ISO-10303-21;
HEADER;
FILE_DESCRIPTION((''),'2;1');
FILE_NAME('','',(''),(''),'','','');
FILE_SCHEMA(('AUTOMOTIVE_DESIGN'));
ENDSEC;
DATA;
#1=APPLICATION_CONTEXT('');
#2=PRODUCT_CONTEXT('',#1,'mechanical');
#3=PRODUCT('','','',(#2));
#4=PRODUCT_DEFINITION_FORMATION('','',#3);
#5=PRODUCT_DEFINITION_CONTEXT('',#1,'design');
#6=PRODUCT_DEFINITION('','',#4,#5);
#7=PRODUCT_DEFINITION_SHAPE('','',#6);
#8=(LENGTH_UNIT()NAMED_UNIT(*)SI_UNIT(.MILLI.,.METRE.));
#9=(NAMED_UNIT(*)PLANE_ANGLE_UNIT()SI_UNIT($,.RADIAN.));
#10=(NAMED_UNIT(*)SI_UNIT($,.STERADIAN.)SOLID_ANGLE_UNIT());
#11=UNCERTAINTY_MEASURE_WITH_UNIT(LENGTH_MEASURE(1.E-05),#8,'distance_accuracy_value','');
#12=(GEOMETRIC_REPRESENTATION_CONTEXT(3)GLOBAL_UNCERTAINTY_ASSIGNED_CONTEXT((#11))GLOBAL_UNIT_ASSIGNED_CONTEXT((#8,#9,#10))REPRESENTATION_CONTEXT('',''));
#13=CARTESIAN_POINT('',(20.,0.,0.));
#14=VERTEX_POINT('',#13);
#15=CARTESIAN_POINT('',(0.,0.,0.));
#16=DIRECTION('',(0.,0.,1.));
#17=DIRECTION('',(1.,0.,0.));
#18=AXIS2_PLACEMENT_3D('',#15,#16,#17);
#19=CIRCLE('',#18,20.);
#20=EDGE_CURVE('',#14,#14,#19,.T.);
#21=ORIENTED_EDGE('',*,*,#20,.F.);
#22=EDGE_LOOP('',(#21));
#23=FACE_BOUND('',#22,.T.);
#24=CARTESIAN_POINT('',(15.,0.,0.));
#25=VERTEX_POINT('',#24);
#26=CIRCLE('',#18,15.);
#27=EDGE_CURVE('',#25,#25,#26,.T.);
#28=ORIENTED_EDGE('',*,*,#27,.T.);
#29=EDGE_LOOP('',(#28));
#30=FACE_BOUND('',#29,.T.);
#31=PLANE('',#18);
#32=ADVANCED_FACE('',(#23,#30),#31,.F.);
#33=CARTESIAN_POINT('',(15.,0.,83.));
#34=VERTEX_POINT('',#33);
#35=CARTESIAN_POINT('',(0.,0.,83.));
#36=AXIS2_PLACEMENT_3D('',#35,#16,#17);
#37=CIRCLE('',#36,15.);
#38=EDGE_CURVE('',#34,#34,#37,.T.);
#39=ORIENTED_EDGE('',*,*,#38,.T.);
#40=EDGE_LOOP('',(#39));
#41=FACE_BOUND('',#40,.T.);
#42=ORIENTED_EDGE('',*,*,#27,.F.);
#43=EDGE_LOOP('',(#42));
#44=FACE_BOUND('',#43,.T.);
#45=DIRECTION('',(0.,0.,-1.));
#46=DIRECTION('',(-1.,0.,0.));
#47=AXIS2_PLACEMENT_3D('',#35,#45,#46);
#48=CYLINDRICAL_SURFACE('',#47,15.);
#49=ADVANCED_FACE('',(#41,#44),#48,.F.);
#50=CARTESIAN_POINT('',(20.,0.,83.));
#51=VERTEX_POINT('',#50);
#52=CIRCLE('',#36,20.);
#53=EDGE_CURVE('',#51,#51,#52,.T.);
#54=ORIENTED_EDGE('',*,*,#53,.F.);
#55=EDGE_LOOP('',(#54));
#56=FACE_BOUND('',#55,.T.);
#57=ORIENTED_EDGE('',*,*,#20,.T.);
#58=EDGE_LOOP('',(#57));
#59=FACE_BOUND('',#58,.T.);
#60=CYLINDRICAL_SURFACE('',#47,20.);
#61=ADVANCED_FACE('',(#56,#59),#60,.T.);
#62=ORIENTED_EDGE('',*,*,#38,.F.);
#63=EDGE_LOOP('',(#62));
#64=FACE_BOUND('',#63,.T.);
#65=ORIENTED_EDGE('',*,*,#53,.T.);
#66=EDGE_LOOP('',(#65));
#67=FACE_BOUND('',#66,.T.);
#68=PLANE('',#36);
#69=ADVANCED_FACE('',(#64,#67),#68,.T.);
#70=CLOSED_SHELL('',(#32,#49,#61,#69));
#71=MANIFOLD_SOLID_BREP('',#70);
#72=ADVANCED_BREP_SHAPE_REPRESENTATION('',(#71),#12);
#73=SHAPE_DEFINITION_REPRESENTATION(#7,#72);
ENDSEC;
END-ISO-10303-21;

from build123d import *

# Parameters (mm, degrees)
CROQUIS1_R              = 20
CROQUIS1_R_2            = 15
SALIENTE_EXTRUIR1_DEPTH = 83


with BuildPart() as part:
    # Croquis1 → Saliente-Extruir1 (new body)
    with BuildSketch(Plane.XY):
        Circle(CROQUIS1_R)
        Circle(CROQUIS1_R_2, mode=Mode.SUBTRACT)
    extrude(amount=SALIENTE_EXTRUIR1_DEPTH)


solid = part.part
